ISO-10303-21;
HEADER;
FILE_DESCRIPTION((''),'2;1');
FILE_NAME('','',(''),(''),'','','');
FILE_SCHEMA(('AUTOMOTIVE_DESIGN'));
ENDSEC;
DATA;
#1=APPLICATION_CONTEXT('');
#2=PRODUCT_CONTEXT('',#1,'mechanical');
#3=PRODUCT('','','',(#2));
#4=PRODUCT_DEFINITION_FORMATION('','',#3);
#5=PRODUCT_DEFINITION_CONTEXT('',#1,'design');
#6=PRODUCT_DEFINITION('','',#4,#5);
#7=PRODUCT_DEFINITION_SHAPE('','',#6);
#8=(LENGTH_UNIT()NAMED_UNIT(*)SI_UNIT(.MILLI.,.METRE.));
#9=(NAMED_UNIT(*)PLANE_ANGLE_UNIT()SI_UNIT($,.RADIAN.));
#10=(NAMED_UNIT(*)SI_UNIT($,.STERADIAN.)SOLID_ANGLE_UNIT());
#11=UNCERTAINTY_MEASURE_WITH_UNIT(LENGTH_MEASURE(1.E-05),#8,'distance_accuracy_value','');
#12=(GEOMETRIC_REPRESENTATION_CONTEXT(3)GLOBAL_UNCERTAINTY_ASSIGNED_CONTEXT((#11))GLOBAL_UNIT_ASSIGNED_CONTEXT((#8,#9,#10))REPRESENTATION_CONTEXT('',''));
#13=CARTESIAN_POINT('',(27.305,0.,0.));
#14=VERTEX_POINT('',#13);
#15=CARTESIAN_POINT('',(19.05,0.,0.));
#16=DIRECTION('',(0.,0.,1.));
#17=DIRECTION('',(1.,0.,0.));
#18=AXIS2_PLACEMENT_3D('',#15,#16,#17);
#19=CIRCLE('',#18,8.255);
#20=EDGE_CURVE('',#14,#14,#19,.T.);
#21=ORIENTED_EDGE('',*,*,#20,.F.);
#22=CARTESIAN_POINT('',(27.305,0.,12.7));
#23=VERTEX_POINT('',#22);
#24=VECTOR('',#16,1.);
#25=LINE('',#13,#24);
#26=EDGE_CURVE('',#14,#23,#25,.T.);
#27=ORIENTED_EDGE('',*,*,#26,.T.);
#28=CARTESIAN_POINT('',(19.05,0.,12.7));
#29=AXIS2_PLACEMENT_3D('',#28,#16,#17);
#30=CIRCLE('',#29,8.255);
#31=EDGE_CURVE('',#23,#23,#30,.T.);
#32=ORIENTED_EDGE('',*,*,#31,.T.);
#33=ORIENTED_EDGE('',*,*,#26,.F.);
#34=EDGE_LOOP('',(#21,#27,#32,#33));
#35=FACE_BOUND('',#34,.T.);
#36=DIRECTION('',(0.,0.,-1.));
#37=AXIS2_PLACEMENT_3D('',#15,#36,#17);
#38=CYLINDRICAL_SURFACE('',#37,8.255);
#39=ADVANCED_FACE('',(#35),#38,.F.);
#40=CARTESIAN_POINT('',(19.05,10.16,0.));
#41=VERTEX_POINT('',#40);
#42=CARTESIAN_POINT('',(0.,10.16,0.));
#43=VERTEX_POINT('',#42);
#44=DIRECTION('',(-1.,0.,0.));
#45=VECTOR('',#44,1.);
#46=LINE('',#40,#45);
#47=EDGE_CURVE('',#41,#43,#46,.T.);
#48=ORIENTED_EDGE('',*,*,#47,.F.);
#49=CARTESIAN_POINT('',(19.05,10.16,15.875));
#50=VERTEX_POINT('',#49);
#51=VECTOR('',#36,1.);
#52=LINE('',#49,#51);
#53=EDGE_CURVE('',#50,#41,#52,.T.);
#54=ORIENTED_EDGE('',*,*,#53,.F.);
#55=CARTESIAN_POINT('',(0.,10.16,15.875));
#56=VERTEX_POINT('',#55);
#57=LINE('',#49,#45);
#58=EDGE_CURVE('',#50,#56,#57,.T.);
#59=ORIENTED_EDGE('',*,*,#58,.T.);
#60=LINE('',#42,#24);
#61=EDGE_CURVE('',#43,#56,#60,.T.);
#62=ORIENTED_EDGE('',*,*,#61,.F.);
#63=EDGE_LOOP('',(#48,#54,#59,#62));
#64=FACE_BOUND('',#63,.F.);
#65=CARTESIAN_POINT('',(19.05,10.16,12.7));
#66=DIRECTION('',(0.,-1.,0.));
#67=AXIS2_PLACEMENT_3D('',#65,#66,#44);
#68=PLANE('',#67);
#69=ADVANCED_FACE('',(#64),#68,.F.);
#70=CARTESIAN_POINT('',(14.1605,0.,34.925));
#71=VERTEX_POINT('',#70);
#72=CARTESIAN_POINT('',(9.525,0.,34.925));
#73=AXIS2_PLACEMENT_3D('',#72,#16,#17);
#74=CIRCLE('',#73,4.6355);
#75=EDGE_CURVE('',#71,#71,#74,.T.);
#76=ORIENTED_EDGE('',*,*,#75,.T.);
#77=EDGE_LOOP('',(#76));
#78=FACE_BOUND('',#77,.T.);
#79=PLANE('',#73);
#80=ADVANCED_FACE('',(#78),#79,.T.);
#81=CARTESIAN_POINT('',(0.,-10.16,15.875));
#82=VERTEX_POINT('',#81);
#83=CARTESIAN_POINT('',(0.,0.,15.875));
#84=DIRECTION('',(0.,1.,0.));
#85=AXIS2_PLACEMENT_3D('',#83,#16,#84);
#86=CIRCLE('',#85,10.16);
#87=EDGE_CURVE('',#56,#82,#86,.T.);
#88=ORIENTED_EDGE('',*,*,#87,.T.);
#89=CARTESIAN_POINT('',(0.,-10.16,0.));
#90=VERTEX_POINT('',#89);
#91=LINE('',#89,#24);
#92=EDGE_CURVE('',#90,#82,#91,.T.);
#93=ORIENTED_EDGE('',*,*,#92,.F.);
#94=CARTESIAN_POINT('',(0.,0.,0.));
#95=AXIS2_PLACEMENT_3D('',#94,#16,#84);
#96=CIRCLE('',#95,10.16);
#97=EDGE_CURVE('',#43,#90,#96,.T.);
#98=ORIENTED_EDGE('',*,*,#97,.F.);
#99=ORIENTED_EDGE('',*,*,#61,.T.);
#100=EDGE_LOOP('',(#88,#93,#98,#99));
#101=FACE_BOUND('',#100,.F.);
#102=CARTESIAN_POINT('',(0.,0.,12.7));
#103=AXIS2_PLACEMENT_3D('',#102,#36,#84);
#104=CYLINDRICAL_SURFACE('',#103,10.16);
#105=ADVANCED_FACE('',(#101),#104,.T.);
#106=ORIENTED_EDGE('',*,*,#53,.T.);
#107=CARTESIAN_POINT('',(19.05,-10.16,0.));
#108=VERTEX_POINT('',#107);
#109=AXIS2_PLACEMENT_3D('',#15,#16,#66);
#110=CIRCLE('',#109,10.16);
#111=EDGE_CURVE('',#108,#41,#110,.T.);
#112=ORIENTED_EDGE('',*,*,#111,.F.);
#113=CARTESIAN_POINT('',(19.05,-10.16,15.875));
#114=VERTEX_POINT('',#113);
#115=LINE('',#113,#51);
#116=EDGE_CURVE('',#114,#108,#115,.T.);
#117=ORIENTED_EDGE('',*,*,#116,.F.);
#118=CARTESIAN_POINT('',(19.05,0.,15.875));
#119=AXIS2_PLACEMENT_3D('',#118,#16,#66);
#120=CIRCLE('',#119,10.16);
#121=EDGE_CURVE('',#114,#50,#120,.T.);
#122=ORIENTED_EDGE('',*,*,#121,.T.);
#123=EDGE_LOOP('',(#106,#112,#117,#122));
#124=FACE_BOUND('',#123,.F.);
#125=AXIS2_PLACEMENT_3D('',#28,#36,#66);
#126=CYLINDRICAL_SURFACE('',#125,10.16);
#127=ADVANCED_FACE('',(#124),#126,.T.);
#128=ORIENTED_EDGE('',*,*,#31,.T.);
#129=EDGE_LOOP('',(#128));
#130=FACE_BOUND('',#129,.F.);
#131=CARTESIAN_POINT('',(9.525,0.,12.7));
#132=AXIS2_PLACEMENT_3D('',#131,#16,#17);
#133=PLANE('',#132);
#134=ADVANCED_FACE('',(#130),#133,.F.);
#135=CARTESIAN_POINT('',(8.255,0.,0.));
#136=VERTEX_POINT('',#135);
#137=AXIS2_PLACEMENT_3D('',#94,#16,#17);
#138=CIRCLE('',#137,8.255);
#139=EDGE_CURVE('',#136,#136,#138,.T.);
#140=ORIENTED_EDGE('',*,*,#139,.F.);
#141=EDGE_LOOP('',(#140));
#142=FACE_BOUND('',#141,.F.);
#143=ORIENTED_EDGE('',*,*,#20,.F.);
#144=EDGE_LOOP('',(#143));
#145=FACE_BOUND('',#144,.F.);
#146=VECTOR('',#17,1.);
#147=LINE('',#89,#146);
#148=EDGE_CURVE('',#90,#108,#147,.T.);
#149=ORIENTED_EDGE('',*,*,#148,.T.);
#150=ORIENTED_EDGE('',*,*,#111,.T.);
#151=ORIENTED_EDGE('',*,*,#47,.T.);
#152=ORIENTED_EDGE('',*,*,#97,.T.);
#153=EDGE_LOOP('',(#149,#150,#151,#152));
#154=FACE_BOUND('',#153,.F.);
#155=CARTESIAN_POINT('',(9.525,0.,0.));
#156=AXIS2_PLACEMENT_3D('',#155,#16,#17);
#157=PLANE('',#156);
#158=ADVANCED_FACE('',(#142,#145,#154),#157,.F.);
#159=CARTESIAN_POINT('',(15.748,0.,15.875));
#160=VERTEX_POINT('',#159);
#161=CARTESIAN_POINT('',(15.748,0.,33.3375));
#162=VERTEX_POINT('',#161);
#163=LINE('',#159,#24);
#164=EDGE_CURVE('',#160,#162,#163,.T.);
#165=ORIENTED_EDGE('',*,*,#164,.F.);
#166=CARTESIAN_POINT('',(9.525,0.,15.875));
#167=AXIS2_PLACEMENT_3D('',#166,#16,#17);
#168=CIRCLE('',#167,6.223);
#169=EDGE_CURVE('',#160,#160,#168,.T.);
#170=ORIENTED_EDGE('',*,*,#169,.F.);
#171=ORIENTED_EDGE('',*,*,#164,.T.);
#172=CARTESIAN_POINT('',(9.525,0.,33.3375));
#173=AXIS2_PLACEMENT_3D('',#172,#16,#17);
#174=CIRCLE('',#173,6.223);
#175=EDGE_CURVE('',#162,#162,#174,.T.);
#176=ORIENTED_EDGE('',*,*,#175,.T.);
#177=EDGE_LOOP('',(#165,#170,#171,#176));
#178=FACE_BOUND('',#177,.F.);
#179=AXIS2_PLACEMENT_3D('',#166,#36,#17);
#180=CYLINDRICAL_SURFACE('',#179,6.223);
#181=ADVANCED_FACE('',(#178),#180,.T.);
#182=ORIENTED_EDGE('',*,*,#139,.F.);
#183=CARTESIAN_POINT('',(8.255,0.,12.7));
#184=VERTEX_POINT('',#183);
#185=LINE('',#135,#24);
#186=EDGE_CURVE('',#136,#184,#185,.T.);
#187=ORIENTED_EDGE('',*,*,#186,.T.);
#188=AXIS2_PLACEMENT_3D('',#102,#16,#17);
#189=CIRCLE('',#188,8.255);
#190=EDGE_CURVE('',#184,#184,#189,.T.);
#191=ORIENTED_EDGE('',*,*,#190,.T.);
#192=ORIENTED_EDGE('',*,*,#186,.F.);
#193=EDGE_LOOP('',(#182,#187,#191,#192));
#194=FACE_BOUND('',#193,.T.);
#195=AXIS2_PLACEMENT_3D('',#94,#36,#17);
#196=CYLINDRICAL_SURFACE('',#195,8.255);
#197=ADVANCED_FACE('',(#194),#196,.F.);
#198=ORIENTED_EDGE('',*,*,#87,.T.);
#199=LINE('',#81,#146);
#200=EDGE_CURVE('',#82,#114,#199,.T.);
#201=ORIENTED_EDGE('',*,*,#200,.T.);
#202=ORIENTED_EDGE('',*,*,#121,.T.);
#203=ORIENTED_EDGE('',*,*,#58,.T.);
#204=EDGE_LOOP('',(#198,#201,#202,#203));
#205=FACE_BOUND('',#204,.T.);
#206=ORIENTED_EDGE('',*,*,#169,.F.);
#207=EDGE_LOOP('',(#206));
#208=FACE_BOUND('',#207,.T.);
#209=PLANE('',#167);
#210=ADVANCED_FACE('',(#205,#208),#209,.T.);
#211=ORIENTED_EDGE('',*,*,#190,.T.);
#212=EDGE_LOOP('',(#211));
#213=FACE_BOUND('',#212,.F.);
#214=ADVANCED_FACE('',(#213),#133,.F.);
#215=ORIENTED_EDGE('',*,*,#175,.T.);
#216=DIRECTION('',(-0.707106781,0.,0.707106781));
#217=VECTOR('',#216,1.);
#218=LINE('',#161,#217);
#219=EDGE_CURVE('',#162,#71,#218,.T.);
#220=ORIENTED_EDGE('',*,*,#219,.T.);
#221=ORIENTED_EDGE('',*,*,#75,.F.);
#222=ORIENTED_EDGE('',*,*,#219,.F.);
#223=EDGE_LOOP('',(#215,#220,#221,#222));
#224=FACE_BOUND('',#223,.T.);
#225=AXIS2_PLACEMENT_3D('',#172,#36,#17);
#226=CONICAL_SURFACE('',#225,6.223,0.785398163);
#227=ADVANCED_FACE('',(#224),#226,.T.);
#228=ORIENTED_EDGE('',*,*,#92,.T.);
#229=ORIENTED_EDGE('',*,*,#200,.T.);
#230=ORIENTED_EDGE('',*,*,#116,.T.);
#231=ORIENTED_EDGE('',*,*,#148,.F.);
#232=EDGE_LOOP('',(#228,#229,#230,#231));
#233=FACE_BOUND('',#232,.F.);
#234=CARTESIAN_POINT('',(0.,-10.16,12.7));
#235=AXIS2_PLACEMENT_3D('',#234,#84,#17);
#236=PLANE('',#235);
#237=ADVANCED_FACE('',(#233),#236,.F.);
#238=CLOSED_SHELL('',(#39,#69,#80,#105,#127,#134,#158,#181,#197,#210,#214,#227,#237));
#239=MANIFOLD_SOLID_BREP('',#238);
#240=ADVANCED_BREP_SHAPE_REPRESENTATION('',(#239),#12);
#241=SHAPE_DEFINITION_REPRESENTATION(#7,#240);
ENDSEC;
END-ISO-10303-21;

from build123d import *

# Parameters (mm, degrees)
F0_R     = 8.255
F1_DEPTH = 12.7
F3_DEPTH = 3.175
F4_R     = 6.223
F5_DEPTH = 19.05
F6_SIZE  = 1.5875


with BuildPart() as f1:
    # F0 (on Top) → F1 (new body)
    with BuildSketch(Plane.XY):
        with BuildLine():
            Line((19.05, 10.16), (0, 10.16))
            ThreePointArc((0, 10.16), (-10.16, 0), (0, -10.16))
            Line((0, -10.16), (19.05, -10.16))
            ThreePointArc((19.05, -10.16), (29.21, 0), (19.05, 10.16))
        make_face()
        Circle(F0_R, mode=Mode.SUBTRACT)
        with Locations((19.05, 0)):
            Circle(F0_R, mode=Mode.SUBTRACT)
    extrude(amount=F1_DEPTH)

    # F2 (on face) → F3 (join)
    with BuildSketch(Plane.XY.offset(12.7)):
        with BuildLine():
            Line((19.05, 10.16), (0, 10.16))
            ThreePointArc((0, 10.16), (-10.16, 0), (0, -10.16))
            Line((0, -10.16), (19.05, -10.16))
            ThreePointArc((19.05, -10.16), (29.21, 0), (19.05, 10.16))
        make_face()
    extrude(amount=F3_DEPTH)

    # F4 (on face) → F5 (join)
    with BuildSketch(Plane.XY.offset(15.875)):
        with Locations((9.525, 0)):
            Circle(F4_R)
    extrude(amount=F5_DEPTH)

    # F6
    f6_edges = [f1.edges().sort_by_distance(p)[0] for p in [
        (3.302, 0, 34.925),
    ]]
    chamfer(f6_edges, length=F6_SIZE)


solid = f1.part
